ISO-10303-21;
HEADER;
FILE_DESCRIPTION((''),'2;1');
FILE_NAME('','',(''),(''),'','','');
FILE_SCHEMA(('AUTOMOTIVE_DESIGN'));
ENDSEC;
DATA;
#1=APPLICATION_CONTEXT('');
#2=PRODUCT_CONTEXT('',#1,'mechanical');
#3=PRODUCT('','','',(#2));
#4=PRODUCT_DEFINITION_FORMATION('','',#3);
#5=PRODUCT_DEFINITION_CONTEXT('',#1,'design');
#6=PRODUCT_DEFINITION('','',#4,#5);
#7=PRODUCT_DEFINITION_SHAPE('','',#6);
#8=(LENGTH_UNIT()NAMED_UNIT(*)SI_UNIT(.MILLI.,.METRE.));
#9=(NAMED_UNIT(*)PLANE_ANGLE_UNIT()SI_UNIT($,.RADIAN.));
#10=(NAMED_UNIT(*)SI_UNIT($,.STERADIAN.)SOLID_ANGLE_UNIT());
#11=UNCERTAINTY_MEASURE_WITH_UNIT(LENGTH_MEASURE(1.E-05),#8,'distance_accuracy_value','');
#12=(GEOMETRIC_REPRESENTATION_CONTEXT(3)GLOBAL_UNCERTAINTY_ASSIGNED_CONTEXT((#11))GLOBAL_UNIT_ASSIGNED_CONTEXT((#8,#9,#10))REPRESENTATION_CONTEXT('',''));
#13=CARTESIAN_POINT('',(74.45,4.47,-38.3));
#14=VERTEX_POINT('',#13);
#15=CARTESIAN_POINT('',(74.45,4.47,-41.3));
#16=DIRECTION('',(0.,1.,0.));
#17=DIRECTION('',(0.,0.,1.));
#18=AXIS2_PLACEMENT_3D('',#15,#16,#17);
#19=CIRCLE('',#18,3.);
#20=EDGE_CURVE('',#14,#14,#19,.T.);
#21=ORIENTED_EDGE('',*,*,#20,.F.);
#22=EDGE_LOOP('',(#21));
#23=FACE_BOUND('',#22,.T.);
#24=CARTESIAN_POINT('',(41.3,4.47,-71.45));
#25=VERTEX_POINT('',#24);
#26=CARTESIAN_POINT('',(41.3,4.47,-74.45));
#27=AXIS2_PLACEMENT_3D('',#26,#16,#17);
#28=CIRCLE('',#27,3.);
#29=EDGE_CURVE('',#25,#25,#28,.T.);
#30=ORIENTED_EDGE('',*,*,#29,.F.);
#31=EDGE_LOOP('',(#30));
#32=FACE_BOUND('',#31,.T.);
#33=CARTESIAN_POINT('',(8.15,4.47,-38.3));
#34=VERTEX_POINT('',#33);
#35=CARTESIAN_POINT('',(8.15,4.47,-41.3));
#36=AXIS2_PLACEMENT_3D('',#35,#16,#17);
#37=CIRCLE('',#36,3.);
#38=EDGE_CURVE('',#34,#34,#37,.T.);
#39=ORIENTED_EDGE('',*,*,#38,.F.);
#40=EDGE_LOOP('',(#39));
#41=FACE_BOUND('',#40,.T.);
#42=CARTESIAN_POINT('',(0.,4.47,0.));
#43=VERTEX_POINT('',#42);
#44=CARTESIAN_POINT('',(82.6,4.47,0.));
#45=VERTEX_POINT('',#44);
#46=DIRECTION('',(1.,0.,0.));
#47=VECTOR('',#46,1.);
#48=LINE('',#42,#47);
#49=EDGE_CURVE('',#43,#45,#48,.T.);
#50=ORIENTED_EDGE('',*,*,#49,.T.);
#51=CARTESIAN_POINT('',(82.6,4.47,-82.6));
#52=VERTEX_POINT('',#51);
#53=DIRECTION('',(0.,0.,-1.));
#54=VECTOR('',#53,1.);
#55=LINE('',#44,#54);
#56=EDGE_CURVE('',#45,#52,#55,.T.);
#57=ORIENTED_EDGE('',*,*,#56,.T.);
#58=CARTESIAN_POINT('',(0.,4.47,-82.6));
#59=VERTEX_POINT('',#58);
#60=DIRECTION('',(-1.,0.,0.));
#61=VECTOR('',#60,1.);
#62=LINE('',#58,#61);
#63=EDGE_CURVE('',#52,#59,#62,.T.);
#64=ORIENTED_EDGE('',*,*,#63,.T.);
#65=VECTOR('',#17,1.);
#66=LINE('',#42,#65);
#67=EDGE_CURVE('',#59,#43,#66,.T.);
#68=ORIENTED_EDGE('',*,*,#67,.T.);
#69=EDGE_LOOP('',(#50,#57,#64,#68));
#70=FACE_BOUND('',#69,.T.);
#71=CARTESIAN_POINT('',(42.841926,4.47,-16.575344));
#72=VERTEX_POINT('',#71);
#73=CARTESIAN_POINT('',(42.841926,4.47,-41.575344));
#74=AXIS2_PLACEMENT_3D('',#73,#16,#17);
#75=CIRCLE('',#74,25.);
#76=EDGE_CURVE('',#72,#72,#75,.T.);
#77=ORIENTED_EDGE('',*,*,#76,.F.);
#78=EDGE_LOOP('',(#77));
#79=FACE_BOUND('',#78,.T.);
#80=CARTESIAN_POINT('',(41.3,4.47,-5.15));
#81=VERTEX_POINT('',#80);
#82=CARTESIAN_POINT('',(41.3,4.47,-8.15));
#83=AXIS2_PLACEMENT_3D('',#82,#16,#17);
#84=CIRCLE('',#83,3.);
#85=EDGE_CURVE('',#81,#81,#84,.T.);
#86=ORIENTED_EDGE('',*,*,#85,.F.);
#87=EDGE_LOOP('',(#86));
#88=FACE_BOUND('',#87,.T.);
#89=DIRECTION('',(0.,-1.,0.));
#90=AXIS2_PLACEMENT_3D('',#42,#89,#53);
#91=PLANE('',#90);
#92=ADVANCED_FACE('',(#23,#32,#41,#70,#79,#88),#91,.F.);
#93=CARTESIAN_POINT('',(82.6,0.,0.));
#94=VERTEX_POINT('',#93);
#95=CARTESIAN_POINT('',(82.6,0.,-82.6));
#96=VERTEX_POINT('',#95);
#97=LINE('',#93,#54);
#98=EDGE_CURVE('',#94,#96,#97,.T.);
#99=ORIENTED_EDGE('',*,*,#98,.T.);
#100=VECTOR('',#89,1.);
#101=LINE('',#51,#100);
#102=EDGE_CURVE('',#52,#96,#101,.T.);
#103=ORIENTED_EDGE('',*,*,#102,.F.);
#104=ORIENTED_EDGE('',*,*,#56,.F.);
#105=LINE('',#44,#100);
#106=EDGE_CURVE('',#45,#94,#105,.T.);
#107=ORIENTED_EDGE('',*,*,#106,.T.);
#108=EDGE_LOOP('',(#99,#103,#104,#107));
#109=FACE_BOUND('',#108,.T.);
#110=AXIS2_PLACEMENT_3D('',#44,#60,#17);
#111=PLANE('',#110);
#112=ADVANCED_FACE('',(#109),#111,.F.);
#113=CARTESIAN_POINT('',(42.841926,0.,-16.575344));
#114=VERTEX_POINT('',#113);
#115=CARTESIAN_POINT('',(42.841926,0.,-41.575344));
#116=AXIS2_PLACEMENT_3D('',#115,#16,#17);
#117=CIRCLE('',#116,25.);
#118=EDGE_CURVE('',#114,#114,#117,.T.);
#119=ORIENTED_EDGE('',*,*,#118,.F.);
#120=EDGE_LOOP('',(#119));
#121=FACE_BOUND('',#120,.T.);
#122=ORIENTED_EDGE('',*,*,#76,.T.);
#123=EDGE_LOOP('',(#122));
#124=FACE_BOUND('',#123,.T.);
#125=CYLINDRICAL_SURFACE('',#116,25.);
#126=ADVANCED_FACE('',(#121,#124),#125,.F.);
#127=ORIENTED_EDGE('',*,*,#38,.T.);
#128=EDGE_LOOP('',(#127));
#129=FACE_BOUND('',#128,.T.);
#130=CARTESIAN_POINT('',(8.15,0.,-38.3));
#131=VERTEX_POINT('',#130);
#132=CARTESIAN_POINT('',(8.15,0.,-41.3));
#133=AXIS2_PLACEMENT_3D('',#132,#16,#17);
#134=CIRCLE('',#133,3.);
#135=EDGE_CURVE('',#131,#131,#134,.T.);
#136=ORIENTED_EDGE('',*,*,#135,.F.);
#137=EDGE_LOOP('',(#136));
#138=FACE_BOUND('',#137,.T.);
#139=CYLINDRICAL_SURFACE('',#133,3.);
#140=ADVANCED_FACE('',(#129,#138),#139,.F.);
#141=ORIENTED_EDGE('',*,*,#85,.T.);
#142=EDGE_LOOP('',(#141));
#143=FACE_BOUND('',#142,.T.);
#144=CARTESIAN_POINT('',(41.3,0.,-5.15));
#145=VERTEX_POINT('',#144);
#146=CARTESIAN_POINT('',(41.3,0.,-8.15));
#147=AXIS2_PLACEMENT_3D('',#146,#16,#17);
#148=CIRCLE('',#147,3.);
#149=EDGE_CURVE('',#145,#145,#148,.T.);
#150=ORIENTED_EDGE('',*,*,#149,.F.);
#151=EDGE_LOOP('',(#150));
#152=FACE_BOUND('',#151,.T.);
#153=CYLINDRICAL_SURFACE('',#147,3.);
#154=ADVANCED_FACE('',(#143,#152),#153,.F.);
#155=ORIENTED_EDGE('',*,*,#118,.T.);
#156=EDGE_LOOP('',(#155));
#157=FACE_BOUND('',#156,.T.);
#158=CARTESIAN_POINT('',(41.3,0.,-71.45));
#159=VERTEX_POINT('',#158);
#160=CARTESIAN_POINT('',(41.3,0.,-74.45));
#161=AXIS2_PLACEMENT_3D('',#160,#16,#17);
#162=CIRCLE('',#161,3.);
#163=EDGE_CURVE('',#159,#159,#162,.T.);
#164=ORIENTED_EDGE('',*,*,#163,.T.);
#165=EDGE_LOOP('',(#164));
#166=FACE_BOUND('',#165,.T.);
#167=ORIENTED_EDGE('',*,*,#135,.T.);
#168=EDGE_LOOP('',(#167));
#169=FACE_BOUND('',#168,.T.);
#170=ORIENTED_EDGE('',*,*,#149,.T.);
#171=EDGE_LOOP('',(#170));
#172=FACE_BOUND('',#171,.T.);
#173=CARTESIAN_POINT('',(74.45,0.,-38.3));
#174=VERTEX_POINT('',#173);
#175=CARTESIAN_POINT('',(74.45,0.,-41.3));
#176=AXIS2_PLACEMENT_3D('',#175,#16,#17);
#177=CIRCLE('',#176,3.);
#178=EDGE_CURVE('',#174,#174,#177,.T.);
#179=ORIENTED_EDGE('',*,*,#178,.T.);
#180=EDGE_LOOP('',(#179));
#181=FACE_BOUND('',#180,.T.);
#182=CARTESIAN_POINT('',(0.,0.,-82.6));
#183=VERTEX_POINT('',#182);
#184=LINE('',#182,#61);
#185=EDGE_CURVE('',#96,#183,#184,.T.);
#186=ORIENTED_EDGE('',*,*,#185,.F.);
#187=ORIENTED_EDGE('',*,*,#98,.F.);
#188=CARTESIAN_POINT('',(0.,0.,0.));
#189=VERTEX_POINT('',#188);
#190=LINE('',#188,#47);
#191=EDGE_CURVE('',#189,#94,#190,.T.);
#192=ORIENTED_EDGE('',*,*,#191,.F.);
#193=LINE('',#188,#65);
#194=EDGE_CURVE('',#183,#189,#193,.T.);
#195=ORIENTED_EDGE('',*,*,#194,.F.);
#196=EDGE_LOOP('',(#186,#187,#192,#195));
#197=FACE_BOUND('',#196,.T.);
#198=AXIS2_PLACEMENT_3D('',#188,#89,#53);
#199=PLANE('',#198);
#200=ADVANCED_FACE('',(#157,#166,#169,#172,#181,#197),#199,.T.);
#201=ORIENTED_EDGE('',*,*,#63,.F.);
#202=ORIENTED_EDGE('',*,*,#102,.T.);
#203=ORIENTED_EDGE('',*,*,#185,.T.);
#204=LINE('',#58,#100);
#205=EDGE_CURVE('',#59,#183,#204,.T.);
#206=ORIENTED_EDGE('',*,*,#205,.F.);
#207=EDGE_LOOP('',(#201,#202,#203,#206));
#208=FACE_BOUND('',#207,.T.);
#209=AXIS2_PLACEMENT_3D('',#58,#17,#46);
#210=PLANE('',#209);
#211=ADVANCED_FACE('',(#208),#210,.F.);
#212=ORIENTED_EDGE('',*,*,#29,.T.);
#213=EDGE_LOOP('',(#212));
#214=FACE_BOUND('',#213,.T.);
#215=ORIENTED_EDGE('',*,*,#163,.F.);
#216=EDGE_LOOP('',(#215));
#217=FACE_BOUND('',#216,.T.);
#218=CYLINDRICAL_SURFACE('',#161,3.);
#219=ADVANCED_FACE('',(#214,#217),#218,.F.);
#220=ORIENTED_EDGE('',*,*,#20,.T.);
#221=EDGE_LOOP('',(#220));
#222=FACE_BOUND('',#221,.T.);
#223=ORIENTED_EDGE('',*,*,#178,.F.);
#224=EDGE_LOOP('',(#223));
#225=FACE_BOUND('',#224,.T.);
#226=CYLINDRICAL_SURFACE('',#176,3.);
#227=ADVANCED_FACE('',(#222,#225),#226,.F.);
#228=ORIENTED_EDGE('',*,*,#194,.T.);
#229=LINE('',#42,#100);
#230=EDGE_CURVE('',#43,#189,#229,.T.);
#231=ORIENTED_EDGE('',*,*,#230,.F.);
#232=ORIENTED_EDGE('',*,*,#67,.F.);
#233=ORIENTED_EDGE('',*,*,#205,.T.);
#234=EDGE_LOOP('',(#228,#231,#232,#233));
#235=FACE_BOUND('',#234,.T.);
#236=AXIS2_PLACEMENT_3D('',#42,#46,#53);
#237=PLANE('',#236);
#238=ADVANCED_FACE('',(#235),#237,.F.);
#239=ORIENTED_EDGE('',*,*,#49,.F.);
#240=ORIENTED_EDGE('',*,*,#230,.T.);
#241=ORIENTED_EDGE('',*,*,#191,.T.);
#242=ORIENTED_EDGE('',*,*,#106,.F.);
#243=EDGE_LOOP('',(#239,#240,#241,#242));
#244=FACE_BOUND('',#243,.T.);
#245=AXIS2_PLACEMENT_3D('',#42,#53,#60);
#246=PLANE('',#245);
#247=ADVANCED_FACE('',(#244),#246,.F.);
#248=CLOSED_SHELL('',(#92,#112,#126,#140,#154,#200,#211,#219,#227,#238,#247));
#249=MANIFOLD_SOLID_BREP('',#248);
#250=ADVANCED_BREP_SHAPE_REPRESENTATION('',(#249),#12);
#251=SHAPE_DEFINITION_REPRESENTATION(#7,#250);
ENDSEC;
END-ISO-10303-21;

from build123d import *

# Parameters (mm, degrees)
SKETCH1_W           = 82.6
SKETCH1_H           = 82.6
BOSS_EXTRUDE1_DEPTH = 4.47
SKETCH5_R           = 25
CUT_EXTRUDE2_DEPTH  = 117.899533361
SKETCH7_R           = 3
CUT_EXTRUDE3_DEPTH  = 117.899533361


with BuildPart() as part:
    # Sketch1 → Boss-Extrude1 (new body)
    with BuildSketch(Plane(origin=(0, 0, 0), x_dir=(1, 0, 0), z_dir=(0, 1, 0))):
        with Locations((41.3, 41.3)):
            Rectangle(SKETCH1_W, SKETCH1_H)
    extrude(amount=BOSS_EXTRUDE1_DEPTH)

    # Sketch5 → Cut-Extrude2 (cut, through all)
    with BuildSketch(Plane(origin=(0, 4.47, 0), x_dir=(1, 0, 0), z_dir=(0, 1, 0))):
        with Locations(Location((42.841926389, 41.575343998, 0), (0, 0, 270))):
            Circle(SKETCH5_R)
    extrude(amount=-CUT_EXTRUDE2_DEPTH, mode=Mode.SUBTRACT)

    # Sketch7 → Cut-Extrude3 (cut, through all)
    with BuildSketch(Plane(origin=(0, 4.47, 0), x_dir=(1, 0, 0), z_dir=(0, 1, 0))):
        with Locations(Location((8.15, 41.3, 0), (0, 0, 270))):
            Circle(SKETCH7_R)
        with Locations(Location((41.3, 74.45, 0), (0, 0, 270))):
            Circle(SKETCH7_R)
        with Locations(Location((74.45, 41.3, 0), (0, 0, 270))):
            Circle(SKETCH7_R)
        with Locations(Location((41.3, 8.15, 0), (0, 0, 270))):
            Circle(SKETCH7_R)
    extrude(amount=-CUT_EXTRUDE3_DEPTH, mode=Mode.SUBTRACT)


solid = part.part
